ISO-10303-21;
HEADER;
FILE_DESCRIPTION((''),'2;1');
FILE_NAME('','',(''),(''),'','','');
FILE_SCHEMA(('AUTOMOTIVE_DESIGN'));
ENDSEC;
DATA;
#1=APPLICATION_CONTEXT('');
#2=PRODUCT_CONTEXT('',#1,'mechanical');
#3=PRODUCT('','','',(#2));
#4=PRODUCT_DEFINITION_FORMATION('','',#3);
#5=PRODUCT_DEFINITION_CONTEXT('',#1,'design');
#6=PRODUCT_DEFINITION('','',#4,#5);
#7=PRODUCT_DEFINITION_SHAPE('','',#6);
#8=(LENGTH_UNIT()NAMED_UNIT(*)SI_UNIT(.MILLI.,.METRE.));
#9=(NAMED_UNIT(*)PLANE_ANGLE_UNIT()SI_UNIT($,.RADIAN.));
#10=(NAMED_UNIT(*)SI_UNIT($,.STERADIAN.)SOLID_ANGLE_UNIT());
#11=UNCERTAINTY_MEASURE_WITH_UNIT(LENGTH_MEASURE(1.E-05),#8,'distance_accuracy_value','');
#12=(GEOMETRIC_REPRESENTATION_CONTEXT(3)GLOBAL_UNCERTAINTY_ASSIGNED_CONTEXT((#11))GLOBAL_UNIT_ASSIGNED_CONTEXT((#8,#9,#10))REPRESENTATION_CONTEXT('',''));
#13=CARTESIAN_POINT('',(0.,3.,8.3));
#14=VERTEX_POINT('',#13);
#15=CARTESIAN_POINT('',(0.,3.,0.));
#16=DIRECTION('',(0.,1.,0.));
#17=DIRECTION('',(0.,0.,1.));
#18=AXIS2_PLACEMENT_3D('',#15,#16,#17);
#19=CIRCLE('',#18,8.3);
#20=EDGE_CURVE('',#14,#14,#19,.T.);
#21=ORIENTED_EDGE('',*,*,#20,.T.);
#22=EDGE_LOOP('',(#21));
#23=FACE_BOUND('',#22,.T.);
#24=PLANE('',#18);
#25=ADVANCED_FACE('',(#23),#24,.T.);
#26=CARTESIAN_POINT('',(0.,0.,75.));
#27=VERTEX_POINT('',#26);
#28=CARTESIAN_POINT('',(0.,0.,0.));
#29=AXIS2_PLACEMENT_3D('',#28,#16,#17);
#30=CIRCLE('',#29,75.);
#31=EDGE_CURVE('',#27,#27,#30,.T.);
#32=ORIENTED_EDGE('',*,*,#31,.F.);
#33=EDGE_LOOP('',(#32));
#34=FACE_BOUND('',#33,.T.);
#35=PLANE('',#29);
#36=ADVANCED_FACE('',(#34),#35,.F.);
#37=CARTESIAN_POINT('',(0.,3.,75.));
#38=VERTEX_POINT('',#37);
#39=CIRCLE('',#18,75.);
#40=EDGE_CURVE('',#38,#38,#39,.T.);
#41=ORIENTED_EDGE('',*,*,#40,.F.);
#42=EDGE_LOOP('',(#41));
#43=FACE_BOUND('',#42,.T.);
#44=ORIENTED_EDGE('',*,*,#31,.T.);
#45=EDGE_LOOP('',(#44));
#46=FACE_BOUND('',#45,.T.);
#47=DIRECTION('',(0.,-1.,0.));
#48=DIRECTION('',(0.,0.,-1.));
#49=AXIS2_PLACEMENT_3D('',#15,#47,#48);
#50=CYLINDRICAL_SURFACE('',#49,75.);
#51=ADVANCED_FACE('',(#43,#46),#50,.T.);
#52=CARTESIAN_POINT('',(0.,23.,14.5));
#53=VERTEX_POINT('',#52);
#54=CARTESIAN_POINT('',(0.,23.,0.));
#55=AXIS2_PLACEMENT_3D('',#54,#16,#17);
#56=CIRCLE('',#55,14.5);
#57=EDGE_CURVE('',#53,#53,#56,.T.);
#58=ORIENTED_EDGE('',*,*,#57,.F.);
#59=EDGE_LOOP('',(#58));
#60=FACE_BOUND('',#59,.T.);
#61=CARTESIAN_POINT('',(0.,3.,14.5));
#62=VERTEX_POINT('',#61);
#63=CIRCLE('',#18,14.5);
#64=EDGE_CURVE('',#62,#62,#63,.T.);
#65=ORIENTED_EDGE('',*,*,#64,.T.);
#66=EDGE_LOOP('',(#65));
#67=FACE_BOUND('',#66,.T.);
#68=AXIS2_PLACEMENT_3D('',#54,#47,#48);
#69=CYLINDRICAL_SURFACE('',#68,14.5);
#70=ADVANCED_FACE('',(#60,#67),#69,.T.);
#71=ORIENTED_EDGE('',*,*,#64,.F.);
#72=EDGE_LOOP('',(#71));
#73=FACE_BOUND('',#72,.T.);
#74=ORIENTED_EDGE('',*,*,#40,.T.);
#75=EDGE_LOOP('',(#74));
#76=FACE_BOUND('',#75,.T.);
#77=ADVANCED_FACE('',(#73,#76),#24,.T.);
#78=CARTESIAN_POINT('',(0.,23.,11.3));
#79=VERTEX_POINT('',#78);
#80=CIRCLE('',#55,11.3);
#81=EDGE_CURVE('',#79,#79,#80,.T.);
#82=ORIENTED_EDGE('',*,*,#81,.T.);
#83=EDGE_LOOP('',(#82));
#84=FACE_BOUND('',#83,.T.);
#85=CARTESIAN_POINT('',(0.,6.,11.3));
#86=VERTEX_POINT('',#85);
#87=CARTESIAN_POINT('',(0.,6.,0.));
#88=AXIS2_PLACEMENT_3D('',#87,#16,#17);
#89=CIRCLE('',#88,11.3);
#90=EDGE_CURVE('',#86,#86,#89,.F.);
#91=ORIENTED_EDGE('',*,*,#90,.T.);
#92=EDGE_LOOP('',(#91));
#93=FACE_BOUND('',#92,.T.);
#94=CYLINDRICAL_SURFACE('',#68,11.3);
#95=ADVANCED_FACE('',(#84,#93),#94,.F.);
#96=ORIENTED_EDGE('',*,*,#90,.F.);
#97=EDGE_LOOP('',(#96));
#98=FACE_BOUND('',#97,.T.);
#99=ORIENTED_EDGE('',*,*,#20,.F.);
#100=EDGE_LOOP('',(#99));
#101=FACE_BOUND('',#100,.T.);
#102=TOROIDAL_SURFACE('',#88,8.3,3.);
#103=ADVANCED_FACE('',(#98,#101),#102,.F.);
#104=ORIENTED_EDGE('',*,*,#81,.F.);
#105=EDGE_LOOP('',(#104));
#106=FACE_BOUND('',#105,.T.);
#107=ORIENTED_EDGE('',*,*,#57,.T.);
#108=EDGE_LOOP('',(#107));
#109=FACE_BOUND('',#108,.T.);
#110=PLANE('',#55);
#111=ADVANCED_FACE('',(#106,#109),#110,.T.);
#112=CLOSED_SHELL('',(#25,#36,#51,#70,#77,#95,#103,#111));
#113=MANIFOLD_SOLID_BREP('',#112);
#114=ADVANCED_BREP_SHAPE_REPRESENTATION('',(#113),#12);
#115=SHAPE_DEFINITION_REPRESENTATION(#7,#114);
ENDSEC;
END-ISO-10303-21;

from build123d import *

# Parameters (mm, degrees)
SKETCH1_R           = 75
BOSS_EXTRUDE1_DEPTH = 3
SKETCH2_R           = 14.5
SKETCH2_R_2         = 11.3
BOSS_EXTRUDE2_DEPTH = 20
FILLET1_R           = 3


with BuildPart() as part:
    # Sketch1 → Boss-Extrude1 (new body)
    with BuildSketch(Plane(origin=(0, 0, 0), x_dir=(1, 0, 0), z_dir=(0, 1, 0))):
        with Locations(Location((0, 0, 0), (0, 0, 270))):
            Circle(SKETCH1_R)
    extrude(amount=BOSS_EXTRUDE1_DEPTH)

    # Sketch2 → Boss-Extrude2 (add)
    with BuildSketch(Plane(origin=(0, 3, 0), x_dir=(1, 0, 0), z_dir=(0, 1, 0))):
        with Locations(Location((0, 0, 0), (0, 0, 270))):
            Circle(SKETCH2_R)
        with Locations(Location((0, 0, 0), (0, 0, 270))):
            Circle(SKETCH2_R_2, mode=Mode.SUBTRACT)
    extrude(amount=BOSS_EXTRUDE2_DEPTH)

    # Fillet1
    fillet1_edges = [part.edges().sort_by_distance(p)[0] for p in [
        (0, 3, -11.3),
    ]]
    fillet(fillet1_edges, radius=FILLET1_R)


solid = part.part
